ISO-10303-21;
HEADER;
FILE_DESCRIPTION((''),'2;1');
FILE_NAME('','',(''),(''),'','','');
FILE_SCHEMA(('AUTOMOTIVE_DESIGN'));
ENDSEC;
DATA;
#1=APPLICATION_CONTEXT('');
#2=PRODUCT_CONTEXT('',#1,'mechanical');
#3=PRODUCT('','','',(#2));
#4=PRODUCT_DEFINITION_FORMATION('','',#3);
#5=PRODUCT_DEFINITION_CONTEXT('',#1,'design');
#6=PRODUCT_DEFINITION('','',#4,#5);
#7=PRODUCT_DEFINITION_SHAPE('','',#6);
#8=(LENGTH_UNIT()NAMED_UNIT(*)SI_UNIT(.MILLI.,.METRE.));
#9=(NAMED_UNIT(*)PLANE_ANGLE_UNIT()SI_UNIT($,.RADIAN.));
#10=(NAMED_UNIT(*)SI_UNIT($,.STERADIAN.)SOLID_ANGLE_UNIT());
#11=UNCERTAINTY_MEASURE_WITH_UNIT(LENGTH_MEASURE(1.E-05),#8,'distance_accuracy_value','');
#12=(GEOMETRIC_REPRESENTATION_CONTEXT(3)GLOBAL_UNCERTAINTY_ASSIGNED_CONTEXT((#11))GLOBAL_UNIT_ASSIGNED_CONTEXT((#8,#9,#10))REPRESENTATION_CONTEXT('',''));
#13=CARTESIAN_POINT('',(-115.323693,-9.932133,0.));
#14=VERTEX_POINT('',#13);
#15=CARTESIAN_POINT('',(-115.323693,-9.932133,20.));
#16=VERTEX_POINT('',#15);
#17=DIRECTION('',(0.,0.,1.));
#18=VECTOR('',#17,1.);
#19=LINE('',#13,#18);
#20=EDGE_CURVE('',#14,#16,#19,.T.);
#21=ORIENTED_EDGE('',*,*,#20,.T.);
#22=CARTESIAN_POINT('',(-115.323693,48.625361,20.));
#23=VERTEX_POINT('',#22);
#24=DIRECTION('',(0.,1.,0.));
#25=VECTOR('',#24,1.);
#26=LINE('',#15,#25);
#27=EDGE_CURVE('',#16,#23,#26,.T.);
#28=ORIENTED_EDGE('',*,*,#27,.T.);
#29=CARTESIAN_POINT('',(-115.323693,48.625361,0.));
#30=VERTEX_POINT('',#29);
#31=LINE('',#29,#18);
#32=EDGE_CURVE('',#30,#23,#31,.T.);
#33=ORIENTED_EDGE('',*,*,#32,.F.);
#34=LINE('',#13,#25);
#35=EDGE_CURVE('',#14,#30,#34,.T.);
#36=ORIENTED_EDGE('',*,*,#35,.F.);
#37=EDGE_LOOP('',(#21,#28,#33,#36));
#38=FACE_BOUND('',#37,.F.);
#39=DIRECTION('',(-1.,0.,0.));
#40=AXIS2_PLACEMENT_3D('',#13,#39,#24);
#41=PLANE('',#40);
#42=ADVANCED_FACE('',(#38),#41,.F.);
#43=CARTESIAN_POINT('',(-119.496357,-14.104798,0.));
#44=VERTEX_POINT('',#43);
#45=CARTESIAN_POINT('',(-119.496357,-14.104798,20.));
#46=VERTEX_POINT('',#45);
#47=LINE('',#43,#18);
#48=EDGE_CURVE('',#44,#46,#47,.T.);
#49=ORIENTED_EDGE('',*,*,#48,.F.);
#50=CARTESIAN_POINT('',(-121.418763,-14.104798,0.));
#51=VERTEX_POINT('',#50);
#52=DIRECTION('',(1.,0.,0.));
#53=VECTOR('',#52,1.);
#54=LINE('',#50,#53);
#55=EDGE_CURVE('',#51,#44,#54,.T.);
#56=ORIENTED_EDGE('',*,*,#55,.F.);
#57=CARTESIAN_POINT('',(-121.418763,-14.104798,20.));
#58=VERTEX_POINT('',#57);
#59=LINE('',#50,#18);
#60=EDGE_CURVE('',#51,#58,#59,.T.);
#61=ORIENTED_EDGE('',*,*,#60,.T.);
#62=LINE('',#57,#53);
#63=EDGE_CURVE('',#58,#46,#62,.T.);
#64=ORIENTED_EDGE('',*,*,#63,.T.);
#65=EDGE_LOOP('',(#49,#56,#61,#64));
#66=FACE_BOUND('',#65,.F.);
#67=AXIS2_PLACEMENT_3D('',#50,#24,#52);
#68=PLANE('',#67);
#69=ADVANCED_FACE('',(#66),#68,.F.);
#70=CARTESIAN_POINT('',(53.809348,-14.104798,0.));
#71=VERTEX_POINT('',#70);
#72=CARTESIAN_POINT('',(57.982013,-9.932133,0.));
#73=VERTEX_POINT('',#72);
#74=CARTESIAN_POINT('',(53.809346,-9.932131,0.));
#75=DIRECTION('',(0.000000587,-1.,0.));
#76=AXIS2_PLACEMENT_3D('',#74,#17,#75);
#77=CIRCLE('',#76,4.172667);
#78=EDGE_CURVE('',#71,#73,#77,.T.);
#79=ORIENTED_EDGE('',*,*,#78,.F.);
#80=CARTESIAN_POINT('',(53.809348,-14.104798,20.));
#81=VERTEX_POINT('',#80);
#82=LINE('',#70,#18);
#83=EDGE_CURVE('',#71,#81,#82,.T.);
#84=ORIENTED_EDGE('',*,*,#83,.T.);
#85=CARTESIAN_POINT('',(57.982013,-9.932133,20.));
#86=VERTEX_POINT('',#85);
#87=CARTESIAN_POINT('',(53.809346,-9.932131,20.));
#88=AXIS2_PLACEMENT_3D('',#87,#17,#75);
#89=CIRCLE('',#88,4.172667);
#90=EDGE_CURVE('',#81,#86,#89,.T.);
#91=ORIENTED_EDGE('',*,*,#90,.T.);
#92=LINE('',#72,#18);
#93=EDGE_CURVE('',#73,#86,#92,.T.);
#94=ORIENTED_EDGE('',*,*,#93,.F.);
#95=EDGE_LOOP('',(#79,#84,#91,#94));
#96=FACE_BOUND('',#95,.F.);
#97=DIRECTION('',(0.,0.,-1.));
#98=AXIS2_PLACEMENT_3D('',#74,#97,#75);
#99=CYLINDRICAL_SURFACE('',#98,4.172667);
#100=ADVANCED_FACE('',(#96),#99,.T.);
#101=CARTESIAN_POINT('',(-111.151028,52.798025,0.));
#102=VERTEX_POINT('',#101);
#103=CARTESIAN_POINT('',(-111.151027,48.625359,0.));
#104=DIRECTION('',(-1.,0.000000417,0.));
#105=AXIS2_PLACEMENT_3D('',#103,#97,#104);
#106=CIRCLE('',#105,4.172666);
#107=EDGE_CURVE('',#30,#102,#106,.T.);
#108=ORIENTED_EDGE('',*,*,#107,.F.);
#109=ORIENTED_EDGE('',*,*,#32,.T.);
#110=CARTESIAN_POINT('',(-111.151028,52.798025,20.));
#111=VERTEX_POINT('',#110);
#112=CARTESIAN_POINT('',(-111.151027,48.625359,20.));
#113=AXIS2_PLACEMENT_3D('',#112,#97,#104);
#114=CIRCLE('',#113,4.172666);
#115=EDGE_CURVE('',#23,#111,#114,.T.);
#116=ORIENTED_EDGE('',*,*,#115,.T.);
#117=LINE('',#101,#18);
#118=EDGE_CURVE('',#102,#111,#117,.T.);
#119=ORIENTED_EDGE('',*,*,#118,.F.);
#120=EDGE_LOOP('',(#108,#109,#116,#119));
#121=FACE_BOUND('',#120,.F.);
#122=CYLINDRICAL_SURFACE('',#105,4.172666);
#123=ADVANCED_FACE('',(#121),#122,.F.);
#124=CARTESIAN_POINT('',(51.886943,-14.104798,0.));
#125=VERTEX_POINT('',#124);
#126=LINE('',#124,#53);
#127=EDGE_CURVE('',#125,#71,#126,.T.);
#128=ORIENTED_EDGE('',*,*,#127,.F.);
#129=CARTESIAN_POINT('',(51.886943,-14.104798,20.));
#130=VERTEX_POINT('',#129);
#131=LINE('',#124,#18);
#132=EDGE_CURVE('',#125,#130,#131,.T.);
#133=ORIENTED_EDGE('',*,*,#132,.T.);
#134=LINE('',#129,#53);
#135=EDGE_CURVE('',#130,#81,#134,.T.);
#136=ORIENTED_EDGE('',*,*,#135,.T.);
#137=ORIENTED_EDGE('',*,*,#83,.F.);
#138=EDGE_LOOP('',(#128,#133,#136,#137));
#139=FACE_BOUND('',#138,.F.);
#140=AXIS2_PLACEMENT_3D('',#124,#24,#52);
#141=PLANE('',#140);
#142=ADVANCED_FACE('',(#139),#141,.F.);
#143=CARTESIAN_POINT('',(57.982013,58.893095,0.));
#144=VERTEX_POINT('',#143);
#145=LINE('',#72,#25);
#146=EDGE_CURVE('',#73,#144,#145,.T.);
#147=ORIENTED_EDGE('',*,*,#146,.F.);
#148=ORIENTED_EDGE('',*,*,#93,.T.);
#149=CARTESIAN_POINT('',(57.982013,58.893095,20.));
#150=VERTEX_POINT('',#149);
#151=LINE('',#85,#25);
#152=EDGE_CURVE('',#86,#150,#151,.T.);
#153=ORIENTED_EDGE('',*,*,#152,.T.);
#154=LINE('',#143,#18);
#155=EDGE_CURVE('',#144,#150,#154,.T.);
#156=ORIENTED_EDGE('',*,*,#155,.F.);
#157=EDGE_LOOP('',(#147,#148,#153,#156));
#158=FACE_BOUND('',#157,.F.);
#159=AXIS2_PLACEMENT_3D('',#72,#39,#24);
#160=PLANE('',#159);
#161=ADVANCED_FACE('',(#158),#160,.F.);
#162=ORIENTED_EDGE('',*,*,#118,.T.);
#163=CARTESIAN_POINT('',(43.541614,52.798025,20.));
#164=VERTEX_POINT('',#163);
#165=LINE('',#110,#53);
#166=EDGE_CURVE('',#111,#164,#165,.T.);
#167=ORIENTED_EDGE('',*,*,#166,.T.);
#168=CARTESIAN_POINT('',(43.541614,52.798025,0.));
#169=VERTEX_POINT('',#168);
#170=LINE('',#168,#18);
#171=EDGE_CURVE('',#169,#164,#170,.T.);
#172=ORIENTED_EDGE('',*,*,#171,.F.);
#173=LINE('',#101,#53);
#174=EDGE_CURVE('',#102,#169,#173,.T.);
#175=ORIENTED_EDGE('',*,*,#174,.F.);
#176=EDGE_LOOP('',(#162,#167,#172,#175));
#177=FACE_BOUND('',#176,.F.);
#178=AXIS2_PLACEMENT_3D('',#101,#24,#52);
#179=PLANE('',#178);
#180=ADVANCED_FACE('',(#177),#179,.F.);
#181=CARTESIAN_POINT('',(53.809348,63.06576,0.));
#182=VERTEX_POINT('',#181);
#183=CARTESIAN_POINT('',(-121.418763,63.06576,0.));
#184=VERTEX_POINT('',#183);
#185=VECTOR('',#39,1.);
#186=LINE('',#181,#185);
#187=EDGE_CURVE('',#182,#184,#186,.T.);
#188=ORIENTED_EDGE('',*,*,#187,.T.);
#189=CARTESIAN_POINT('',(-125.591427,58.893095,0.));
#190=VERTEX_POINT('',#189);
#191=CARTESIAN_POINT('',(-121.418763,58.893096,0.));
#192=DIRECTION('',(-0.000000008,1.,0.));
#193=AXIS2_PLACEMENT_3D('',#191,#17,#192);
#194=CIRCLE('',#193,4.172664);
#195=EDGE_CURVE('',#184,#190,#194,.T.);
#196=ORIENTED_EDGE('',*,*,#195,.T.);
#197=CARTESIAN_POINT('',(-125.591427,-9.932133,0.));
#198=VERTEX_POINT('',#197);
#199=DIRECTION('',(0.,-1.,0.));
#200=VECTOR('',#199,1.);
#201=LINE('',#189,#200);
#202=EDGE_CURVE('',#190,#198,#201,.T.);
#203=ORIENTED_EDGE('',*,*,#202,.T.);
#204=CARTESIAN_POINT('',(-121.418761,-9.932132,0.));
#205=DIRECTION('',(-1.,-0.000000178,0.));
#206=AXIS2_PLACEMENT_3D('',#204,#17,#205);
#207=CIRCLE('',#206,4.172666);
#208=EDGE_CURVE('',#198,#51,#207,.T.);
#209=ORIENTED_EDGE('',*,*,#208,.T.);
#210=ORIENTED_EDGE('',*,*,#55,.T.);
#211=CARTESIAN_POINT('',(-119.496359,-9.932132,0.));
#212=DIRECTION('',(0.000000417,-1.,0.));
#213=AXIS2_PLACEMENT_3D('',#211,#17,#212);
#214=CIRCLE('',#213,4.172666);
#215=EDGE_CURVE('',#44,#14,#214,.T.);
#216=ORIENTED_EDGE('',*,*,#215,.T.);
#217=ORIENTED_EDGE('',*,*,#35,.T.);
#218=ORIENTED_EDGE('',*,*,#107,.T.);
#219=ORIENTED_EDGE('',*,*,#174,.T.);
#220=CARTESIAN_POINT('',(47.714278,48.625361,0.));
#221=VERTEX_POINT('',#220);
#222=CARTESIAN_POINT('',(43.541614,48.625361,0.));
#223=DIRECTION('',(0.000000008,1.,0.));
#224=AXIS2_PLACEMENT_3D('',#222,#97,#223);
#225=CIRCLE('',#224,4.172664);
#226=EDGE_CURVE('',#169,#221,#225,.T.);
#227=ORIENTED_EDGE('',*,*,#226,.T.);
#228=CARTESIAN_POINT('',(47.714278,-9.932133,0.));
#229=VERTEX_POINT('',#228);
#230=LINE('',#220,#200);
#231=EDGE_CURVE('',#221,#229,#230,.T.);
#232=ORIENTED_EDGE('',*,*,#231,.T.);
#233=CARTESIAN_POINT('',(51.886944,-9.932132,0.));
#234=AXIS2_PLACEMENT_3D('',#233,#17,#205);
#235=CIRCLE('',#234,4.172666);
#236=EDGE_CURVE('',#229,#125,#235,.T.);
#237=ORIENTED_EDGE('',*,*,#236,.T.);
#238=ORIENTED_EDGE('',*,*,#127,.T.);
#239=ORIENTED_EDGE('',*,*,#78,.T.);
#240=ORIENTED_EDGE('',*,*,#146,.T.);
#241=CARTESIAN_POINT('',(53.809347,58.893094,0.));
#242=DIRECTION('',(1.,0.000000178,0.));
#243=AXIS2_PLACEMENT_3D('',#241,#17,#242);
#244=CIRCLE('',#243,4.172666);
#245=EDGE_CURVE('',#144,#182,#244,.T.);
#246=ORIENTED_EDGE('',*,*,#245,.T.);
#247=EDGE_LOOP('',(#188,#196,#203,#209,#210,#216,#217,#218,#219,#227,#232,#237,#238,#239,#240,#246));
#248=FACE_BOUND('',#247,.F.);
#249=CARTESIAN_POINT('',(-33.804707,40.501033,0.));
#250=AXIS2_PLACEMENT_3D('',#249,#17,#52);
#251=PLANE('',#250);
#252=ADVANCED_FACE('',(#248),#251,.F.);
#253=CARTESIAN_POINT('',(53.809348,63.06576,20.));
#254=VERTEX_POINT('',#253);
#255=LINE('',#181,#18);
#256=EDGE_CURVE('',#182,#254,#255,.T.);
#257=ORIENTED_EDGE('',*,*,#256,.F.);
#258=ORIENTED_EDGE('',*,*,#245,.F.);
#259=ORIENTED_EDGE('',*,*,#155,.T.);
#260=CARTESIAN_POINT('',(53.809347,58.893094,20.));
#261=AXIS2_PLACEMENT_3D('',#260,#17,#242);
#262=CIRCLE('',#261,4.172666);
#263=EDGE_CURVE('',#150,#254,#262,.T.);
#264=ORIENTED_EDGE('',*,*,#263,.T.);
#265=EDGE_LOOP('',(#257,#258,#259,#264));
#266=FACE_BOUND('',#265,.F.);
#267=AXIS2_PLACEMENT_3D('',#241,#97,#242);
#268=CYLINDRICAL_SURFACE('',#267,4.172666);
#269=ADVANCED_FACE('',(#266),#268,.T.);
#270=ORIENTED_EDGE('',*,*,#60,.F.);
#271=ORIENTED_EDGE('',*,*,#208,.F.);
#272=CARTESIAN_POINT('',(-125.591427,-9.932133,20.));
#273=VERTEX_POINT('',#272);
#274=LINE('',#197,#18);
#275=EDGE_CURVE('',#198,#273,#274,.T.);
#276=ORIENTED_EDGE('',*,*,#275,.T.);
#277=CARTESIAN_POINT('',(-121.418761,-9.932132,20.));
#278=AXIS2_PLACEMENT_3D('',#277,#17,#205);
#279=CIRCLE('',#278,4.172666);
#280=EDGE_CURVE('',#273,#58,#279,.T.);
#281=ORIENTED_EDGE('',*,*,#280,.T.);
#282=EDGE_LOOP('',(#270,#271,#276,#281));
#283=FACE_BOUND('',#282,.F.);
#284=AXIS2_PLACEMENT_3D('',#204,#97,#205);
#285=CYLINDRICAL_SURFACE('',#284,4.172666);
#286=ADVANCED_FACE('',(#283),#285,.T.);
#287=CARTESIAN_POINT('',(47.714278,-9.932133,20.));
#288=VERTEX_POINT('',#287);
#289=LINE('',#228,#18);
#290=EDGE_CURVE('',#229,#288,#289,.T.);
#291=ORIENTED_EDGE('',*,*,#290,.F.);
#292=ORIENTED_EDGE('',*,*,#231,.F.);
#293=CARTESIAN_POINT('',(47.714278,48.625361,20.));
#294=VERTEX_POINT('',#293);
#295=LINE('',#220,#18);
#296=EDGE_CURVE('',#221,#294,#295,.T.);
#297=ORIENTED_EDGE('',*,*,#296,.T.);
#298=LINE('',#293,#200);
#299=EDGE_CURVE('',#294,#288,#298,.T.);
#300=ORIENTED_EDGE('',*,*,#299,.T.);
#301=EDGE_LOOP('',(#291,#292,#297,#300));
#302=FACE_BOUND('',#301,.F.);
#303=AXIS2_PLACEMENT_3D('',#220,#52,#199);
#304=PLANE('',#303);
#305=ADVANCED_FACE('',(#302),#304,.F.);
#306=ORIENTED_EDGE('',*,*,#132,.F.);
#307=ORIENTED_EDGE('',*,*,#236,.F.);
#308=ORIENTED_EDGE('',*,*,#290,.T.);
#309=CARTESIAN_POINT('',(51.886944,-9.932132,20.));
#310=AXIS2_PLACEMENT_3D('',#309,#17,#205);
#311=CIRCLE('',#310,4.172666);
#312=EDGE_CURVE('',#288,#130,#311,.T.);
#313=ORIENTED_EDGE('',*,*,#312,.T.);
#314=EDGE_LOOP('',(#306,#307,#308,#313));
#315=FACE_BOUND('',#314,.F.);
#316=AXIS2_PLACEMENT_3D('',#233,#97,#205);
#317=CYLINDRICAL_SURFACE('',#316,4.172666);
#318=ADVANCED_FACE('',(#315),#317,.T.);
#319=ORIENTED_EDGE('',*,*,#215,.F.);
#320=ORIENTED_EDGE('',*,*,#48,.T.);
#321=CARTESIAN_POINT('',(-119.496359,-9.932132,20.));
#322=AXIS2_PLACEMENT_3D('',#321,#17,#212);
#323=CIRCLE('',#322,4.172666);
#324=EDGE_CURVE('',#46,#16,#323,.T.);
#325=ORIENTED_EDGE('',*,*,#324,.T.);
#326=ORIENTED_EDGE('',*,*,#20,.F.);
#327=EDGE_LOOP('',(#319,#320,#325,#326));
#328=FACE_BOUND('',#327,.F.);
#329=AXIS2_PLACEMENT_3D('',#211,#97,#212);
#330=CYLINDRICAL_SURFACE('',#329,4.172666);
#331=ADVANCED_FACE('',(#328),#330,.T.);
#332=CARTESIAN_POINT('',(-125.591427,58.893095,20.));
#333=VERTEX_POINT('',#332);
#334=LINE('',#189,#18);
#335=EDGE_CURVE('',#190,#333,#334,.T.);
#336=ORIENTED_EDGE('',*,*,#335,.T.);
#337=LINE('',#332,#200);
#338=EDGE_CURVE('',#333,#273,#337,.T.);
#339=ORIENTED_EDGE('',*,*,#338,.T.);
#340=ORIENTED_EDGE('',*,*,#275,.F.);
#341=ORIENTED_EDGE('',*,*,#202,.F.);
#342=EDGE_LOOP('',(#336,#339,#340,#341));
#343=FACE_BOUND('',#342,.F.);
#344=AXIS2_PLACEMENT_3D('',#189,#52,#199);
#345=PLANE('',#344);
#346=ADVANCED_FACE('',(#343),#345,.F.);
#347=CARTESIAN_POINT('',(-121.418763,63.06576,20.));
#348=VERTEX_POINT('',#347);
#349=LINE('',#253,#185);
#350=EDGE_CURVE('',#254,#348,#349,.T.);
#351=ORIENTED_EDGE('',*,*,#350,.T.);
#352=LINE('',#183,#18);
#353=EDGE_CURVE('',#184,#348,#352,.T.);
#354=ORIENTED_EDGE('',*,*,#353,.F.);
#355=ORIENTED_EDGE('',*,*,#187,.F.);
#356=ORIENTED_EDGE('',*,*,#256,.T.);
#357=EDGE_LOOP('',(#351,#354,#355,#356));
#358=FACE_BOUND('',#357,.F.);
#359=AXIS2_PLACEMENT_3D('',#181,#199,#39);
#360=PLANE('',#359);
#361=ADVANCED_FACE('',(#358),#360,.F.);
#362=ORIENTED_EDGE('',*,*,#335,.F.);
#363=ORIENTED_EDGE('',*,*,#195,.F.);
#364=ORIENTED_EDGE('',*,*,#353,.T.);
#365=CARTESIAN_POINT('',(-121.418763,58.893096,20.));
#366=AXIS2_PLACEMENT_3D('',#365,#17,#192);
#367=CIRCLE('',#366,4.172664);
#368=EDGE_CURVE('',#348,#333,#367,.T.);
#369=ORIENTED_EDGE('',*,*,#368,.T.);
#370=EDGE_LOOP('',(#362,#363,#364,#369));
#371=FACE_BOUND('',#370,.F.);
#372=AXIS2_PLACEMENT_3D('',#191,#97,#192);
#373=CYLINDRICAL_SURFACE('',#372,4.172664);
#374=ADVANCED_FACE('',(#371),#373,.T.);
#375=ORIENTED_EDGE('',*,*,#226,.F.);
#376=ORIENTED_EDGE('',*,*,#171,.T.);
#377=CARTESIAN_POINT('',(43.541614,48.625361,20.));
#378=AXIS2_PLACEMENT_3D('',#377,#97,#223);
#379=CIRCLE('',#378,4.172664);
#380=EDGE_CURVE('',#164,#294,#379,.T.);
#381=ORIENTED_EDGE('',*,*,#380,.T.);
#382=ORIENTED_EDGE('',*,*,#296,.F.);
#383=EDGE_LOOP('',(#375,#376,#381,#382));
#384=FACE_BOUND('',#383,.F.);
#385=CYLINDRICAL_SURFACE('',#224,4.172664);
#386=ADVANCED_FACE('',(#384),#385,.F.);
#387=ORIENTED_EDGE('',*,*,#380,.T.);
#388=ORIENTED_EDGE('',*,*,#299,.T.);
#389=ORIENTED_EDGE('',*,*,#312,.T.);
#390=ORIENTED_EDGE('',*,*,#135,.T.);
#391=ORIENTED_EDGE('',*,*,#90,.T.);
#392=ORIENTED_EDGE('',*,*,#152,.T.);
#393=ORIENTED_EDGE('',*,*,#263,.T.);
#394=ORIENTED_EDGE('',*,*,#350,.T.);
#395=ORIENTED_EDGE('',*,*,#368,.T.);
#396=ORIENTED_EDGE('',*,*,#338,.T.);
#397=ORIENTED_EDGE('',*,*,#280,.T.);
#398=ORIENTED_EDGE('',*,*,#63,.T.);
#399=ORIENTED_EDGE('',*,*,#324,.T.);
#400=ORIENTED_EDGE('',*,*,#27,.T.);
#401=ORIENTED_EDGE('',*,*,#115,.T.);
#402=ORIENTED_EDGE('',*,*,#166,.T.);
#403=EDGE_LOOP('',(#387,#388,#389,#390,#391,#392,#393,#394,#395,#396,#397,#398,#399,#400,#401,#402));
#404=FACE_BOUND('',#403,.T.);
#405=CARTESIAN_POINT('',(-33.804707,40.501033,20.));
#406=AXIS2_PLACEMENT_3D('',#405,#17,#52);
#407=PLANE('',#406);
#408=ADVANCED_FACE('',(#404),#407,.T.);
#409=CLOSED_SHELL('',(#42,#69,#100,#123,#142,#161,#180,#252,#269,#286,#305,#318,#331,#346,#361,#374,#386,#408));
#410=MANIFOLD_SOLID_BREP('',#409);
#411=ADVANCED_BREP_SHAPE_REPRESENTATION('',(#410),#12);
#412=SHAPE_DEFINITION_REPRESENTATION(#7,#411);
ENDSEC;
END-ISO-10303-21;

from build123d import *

# Parameters (mm, degrees)
F1_DEPTH = 20


with BuildPart() as f1:
    # F0 (on Top) → F1 (new body)
    with BuildSketch(Plane.XY):
        with BuildLine():
            ThreePointArc((-115.323693, 48.625361), (-114.101547, 51.57588), (-111.151028, 52.798025))
            Line((-111.151028, 52.798025), (43.541614, 52.798025))
            ThreePointArc((43.541614, 52.798025), (46.492133, 51.57588), (47.714278, 48.625361))
            Line((47.714278, 48.625361), (47.714278, -9.932133))
            ThreePointArc((47.714278, -9.932133), (48.936423, -12.882652), (51.886943, -14.104798))
            Line((51.886943, -14.104798), (53.809348, -14.104798))
            ThreePointArc((53.809348, -14.104798), (56.759867, -12.882652), (57.982013, -9.932133))
            Line((57.982013, -9.932133), (57.982013, 58.893095))
            ThreePointArc((57.982013, 58.893095), (56.759867, 61.843615), (53.809348, 63.06576))
            Line((53.809348, 63.06576), (-121.418763, 63.06576))
            ThreePointArc((-121.418763, 63.06576), (-124.369282, 61.843615), (-125.591427, 58.893095))
            Line((-125.591427, 58.893095), (-125.591427, -9.932133))
            ThreePointArc((-125.591427, -9.932133), (-124.369282, -12.882652), (-121.418763, -14.104798))
            Line((-121.418763, -14.104798), (-119.496357, -14.104798))
            ThreePointArc((-119.496357, -14.104798), (-116.545838, -12.882652), (-115.323693, -9.932133))
            Line((-115.323693, -9.932133), (-115.323693, 48.625361))
        make_face()
    extrude(amount=F1_DEPTH)


solid = f1.part
